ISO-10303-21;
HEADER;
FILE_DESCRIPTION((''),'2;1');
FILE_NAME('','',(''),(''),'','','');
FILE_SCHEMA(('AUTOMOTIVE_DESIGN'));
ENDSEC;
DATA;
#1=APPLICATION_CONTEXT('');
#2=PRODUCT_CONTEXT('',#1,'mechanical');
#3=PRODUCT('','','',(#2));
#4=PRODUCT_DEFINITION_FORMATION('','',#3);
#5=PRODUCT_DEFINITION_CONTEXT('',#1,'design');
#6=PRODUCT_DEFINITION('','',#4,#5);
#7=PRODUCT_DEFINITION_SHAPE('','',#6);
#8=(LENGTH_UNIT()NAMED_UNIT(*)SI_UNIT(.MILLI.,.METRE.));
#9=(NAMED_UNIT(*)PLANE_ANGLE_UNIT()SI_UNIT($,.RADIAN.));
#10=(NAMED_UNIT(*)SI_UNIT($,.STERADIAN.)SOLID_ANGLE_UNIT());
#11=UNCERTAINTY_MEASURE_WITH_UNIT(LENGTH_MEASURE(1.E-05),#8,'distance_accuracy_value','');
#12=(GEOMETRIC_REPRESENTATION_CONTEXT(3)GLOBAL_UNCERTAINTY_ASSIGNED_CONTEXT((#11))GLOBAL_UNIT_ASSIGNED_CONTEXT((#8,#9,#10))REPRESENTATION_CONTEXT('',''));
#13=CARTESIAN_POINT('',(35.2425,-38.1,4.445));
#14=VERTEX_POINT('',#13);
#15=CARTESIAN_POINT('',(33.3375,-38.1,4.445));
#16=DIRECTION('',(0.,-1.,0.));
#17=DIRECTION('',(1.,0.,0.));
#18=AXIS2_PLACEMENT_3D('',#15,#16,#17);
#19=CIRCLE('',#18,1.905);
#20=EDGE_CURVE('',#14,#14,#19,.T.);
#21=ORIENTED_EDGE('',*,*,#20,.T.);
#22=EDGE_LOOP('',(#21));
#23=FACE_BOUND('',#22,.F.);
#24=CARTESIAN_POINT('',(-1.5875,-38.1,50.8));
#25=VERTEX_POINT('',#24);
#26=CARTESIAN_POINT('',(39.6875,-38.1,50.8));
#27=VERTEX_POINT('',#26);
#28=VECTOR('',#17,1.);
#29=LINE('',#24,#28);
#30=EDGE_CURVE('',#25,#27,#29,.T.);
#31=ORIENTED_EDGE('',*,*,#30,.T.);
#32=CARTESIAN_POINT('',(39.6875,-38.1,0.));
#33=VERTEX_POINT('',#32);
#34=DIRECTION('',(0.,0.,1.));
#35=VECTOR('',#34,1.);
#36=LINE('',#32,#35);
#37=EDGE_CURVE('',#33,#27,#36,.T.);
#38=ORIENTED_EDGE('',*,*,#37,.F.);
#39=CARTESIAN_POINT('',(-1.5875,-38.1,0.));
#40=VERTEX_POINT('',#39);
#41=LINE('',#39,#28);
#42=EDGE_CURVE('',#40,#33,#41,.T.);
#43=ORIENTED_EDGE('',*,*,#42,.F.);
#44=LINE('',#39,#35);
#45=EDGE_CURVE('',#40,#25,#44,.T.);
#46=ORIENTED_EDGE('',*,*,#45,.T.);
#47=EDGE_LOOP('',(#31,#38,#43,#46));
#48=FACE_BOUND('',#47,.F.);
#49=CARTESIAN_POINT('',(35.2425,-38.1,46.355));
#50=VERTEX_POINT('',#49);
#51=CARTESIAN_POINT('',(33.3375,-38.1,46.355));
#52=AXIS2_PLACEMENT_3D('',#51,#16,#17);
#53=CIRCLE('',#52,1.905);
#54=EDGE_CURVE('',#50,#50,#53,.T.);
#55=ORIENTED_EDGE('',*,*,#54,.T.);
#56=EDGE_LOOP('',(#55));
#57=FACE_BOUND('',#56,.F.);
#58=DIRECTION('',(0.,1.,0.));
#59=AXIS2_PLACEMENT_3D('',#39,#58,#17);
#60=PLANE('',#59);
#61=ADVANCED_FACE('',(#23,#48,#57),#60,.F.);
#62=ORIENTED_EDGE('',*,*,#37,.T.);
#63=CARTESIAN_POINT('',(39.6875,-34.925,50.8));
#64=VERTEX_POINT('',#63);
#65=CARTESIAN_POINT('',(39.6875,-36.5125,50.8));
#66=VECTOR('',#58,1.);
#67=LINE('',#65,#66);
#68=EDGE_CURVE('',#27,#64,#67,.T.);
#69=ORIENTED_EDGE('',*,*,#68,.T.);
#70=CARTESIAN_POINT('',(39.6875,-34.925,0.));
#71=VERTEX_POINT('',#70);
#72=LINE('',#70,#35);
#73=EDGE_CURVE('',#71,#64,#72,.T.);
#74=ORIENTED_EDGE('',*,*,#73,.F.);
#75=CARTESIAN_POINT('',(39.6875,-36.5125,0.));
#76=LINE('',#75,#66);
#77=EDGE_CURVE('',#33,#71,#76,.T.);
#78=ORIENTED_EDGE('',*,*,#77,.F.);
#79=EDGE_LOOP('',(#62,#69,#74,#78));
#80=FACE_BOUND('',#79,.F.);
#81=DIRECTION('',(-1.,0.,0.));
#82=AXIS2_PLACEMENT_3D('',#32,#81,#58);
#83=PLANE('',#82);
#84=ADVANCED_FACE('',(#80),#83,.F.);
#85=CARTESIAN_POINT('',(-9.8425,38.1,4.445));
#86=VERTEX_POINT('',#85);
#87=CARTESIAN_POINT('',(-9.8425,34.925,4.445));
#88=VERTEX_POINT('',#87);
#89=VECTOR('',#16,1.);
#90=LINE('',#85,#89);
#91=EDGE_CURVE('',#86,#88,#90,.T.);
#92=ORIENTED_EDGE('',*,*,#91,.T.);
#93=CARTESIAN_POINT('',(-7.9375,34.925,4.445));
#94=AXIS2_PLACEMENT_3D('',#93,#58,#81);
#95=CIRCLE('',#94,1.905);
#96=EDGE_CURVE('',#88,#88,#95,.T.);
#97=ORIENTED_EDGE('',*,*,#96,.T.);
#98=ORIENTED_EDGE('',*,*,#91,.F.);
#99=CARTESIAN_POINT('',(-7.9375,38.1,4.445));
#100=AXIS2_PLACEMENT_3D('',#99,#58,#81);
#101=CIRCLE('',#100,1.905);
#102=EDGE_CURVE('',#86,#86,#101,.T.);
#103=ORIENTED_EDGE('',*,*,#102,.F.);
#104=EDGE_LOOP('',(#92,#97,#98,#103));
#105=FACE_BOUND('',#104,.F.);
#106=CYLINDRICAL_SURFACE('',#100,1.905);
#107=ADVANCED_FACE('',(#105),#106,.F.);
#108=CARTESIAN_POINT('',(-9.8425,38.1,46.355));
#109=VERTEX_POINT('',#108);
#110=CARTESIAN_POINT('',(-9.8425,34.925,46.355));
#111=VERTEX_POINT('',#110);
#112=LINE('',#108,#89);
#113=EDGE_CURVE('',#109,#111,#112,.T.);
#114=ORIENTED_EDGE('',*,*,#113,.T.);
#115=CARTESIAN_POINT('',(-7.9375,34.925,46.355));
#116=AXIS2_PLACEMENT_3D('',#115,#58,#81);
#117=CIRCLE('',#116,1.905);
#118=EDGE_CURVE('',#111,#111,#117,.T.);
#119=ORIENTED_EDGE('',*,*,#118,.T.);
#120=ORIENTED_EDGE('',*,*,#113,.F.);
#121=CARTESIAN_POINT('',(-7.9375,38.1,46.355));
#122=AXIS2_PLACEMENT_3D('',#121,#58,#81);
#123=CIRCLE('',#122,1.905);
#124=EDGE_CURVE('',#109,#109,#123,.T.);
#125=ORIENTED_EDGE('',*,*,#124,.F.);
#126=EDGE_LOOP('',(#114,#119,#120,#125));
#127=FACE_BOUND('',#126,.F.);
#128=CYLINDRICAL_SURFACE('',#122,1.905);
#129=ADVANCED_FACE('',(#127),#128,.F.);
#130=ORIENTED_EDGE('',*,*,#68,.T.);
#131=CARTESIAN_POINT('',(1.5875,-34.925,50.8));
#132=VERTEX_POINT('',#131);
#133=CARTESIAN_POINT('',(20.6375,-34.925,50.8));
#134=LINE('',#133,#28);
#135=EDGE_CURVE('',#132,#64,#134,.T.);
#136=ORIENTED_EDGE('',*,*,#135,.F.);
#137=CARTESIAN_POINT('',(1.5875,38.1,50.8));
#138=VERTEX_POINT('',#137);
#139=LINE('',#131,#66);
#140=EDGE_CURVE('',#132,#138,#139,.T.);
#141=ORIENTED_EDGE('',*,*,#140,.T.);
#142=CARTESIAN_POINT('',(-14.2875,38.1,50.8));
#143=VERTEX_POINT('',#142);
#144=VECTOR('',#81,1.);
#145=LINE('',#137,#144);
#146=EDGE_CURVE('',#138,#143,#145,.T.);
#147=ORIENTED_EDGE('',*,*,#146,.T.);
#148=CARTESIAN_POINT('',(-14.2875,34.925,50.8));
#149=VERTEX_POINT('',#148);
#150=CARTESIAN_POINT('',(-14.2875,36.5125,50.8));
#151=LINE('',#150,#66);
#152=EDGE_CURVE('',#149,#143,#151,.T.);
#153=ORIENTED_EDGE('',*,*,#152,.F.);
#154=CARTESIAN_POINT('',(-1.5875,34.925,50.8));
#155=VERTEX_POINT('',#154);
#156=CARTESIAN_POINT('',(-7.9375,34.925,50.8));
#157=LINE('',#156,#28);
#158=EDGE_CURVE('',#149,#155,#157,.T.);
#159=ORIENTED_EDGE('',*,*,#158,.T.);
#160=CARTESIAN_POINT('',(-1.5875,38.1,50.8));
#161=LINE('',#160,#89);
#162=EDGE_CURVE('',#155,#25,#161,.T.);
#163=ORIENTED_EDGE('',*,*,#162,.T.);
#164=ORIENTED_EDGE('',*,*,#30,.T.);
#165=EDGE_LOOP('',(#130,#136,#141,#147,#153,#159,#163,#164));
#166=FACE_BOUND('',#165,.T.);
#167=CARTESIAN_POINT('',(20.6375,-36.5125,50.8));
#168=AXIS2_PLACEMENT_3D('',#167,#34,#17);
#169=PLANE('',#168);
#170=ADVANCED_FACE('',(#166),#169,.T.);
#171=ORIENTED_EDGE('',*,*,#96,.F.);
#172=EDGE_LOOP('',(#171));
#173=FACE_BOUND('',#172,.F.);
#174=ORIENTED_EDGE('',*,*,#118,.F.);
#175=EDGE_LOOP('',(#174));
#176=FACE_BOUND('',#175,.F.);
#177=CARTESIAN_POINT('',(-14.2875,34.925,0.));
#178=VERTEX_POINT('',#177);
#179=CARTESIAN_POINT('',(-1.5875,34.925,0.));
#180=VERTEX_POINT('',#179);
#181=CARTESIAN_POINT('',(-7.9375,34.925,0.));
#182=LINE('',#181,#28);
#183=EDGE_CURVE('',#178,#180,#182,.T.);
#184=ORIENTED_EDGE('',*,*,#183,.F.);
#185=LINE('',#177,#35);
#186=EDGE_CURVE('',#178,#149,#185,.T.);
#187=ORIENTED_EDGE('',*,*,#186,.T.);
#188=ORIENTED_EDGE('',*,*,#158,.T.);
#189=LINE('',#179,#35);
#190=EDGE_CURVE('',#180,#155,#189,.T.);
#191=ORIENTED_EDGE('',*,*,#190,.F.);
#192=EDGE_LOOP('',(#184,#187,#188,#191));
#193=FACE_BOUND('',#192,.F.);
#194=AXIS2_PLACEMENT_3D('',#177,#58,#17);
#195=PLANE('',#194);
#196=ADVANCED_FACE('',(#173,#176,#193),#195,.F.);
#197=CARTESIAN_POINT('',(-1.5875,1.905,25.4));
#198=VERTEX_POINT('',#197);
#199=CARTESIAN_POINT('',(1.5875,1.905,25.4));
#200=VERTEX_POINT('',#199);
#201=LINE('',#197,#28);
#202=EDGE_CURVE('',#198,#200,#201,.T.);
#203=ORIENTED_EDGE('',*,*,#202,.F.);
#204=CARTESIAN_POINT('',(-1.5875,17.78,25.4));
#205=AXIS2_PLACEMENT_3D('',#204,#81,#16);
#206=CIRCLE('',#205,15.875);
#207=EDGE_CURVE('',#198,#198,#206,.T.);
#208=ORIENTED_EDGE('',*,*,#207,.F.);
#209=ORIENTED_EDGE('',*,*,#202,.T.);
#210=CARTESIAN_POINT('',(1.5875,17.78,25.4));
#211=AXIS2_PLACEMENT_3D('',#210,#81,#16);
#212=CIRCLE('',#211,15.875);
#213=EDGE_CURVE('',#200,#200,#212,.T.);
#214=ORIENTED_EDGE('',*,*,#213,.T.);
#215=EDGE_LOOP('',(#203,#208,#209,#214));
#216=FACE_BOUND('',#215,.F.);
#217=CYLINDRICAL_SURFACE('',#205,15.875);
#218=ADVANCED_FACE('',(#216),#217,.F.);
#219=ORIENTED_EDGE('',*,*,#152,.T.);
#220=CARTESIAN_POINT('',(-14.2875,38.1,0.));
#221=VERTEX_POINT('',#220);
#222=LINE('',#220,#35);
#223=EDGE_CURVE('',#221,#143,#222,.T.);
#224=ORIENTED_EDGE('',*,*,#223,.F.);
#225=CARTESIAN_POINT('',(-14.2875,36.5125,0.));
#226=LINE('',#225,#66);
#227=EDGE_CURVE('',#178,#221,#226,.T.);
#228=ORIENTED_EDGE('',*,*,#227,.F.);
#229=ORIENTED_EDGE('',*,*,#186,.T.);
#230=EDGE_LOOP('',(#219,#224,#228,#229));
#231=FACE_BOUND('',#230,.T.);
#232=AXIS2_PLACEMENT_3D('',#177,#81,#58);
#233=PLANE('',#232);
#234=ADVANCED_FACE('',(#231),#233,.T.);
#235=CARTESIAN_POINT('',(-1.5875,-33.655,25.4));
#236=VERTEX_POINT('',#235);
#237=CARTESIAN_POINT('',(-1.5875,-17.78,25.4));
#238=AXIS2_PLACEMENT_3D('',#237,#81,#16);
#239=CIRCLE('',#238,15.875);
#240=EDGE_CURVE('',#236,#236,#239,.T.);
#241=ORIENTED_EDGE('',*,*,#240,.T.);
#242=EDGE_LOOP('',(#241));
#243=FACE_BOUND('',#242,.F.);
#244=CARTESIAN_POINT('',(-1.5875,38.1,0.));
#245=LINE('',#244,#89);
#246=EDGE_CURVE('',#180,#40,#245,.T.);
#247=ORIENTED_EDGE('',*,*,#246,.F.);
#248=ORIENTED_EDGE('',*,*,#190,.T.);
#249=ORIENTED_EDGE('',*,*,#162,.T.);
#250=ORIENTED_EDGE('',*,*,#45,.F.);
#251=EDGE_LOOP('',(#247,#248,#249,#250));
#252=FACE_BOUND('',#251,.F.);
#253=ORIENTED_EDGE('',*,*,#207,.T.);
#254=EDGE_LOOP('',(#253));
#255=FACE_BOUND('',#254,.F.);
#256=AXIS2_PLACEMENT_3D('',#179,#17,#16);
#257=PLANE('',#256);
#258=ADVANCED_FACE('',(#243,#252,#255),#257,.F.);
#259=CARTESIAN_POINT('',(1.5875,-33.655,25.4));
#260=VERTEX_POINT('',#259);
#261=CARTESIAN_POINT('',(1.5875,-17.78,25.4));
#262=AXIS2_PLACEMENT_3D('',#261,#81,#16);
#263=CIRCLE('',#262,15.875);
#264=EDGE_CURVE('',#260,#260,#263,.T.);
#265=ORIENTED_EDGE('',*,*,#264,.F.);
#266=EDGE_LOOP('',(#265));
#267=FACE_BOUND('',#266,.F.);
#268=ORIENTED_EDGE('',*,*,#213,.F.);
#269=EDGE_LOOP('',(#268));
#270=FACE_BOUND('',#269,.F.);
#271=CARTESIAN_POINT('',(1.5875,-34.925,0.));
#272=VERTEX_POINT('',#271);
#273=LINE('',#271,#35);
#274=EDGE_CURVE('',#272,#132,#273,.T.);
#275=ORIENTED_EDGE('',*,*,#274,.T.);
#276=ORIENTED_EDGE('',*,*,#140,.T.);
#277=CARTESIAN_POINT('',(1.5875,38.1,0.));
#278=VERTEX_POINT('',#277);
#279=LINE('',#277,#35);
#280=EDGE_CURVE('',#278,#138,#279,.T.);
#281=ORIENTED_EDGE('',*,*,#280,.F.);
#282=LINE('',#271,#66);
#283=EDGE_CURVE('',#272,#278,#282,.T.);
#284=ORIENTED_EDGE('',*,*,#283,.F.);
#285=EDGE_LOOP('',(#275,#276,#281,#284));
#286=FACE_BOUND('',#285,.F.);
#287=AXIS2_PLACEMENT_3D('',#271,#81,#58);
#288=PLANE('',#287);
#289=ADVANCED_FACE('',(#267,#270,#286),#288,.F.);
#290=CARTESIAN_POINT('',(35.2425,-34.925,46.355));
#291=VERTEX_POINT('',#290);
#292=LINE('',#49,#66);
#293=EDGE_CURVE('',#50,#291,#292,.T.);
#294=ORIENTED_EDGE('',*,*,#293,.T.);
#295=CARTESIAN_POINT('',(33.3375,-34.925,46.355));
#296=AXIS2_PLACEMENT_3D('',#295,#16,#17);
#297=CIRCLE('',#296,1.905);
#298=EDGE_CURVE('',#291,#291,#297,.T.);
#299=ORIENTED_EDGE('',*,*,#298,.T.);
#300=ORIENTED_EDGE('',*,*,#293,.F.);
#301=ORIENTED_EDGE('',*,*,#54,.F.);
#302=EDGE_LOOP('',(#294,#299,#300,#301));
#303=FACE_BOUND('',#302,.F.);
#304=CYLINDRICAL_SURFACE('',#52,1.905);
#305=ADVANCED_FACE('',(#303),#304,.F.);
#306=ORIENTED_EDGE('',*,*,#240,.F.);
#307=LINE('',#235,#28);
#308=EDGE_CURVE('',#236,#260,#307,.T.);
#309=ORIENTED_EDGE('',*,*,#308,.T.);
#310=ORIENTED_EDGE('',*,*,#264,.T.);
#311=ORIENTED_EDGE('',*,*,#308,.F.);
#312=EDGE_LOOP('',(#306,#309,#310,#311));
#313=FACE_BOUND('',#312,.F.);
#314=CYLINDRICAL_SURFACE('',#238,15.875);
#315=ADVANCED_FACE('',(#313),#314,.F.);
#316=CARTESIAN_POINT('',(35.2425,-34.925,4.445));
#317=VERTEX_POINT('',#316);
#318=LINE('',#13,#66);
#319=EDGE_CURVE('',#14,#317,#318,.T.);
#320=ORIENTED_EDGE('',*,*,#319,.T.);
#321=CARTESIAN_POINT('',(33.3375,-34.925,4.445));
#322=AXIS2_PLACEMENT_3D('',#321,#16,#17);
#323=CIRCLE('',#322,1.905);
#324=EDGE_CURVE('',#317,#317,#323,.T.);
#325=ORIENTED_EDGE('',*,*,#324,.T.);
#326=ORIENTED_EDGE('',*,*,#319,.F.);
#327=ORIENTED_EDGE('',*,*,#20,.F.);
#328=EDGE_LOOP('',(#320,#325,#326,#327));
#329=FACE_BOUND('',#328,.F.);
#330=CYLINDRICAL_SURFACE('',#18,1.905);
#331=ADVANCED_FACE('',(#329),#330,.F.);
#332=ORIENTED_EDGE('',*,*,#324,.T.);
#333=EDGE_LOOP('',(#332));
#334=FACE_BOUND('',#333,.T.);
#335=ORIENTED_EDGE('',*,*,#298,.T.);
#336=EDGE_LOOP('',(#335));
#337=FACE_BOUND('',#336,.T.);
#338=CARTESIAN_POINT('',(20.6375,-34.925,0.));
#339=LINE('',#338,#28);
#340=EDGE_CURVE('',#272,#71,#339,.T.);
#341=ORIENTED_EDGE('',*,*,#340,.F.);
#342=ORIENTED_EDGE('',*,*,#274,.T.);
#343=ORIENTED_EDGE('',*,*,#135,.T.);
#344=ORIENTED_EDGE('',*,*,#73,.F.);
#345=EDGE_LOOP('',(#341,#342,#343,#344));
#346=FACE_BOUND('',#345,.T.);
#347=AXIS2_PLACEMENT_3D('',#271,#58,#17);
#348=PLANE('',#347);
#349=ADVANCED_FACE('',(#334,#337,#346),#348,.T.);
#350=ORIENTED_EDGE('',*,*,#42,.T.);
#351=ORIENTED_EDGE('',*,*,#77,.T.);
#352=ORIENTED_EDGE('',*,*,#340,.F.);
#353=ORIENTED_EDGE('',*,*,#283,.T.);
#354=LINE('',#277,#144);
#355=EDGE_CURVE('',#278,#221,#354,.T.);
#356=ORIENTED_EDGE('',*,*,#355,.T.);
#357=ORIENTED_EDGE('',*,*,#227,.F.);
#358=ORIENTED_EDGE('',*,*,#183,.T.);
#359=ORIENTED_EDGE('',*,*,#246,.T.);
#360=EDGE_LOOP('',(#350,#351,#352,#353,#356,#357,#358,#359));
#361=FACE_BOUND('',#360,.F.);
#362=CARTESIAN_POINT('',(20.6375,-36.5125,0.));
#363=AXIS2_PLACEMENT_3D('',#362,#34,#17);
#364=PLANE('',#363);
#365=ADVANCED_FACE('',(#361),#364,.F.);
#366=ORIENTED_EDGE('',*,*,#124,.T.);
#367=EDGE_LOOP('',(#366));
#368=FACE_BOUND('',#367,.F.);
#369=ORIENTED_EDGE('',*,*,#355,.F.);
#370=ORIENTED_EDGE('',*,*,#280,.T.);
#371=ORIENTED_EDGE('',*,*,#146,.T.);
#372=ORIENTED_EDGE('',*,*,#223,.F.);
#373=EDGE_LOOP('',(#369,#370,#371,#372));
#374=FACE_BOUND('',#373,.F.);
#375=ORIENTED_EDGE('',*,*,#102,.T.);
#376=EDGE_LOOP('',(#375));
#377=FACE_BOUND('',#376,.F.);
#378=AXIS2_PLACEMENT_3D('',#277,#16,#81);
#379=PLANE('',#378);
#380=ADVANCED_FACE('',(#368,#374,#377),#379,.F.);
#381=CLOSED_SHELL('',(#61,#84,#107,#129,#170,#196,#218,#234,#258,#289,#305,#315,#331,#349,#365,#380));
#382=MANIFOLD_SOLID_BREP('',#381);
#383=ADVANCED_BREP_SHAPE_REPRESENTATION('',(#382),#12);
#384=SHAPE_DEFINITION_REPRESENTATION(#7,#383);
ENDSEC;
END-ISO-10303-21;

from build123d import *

# Parameters (mm, degrees)
F0_W     = 38.1
F0_H     = 3.175
F0_W_2   = 12.7
F1_DEPTH = 50.8
F2_R     = 15.875
F3_DEPTH = 25.4
F4_R     = 1.905
F5_DEPTH = 25.4
F6_R     = 1.905
F7_DEPTH = 25.4


with BuildPart() as f1:
    # F0 (on Top) → F1 (new body)
    with BuildSketch(Plane.XY):
        with Locations((20.6375, -36.5125)):
            Rectangle(F0_W, F0_H)
        Polygon((-1.5875, -38.1), (1.5875, -38.1), (1.5875, -34.925), (1.5875, 38.1), (-1.5875, 38.1), (-1.5875, 34.925), align=None)
        with Locations((-7.9375, 36.5125)):
            Rectangle(F0_W_2, F0_H)
    extrude(amount=F1_DEPTH)

    # F2 (on face) → F3 (cut)
    with BuildSketch(Plane(origin=(-1.5875, 0, 0), x_dir=(0, -1, 0), z_dir=(-1, 0, 0))):
        with Locations((17.78, 25.4)):
            Circle(F2_R)
        with Locations((-17.78, 25.4)):
            Circle(F2_R)
    extrude(amount=-F3_DEPTH, mode=Mode.SUBTRACT)

    # F4 (on face) → F5 (cut)
    with BuildSketch(Plane.XZ.offset(38.1)):
        with Locations((33.3375, 46.355)):
            Circle(F4_R)
        with Locations((33.3375, 4.445)):
            Circle(F4_R)
    extrude(amount=-F5_DEPTH, mode=Mode.SUBTRACT)

    # F6 (on face) → F7 (cut)
    with BuildSketch(Plane(origin=(0, 38.1, 0), x_dir=(-1, 0, 0), z_dir=(0, 1, 0))):
        with Locations((7.9375, 4.445)):
            Circle(F6_R)
        with Locations((7.9375, 46.355)):
            Circle(F6_R)
    extrude(amount=-F7_DEPTH, mode=Mode.SUBTRACT)


solid = f1.part
